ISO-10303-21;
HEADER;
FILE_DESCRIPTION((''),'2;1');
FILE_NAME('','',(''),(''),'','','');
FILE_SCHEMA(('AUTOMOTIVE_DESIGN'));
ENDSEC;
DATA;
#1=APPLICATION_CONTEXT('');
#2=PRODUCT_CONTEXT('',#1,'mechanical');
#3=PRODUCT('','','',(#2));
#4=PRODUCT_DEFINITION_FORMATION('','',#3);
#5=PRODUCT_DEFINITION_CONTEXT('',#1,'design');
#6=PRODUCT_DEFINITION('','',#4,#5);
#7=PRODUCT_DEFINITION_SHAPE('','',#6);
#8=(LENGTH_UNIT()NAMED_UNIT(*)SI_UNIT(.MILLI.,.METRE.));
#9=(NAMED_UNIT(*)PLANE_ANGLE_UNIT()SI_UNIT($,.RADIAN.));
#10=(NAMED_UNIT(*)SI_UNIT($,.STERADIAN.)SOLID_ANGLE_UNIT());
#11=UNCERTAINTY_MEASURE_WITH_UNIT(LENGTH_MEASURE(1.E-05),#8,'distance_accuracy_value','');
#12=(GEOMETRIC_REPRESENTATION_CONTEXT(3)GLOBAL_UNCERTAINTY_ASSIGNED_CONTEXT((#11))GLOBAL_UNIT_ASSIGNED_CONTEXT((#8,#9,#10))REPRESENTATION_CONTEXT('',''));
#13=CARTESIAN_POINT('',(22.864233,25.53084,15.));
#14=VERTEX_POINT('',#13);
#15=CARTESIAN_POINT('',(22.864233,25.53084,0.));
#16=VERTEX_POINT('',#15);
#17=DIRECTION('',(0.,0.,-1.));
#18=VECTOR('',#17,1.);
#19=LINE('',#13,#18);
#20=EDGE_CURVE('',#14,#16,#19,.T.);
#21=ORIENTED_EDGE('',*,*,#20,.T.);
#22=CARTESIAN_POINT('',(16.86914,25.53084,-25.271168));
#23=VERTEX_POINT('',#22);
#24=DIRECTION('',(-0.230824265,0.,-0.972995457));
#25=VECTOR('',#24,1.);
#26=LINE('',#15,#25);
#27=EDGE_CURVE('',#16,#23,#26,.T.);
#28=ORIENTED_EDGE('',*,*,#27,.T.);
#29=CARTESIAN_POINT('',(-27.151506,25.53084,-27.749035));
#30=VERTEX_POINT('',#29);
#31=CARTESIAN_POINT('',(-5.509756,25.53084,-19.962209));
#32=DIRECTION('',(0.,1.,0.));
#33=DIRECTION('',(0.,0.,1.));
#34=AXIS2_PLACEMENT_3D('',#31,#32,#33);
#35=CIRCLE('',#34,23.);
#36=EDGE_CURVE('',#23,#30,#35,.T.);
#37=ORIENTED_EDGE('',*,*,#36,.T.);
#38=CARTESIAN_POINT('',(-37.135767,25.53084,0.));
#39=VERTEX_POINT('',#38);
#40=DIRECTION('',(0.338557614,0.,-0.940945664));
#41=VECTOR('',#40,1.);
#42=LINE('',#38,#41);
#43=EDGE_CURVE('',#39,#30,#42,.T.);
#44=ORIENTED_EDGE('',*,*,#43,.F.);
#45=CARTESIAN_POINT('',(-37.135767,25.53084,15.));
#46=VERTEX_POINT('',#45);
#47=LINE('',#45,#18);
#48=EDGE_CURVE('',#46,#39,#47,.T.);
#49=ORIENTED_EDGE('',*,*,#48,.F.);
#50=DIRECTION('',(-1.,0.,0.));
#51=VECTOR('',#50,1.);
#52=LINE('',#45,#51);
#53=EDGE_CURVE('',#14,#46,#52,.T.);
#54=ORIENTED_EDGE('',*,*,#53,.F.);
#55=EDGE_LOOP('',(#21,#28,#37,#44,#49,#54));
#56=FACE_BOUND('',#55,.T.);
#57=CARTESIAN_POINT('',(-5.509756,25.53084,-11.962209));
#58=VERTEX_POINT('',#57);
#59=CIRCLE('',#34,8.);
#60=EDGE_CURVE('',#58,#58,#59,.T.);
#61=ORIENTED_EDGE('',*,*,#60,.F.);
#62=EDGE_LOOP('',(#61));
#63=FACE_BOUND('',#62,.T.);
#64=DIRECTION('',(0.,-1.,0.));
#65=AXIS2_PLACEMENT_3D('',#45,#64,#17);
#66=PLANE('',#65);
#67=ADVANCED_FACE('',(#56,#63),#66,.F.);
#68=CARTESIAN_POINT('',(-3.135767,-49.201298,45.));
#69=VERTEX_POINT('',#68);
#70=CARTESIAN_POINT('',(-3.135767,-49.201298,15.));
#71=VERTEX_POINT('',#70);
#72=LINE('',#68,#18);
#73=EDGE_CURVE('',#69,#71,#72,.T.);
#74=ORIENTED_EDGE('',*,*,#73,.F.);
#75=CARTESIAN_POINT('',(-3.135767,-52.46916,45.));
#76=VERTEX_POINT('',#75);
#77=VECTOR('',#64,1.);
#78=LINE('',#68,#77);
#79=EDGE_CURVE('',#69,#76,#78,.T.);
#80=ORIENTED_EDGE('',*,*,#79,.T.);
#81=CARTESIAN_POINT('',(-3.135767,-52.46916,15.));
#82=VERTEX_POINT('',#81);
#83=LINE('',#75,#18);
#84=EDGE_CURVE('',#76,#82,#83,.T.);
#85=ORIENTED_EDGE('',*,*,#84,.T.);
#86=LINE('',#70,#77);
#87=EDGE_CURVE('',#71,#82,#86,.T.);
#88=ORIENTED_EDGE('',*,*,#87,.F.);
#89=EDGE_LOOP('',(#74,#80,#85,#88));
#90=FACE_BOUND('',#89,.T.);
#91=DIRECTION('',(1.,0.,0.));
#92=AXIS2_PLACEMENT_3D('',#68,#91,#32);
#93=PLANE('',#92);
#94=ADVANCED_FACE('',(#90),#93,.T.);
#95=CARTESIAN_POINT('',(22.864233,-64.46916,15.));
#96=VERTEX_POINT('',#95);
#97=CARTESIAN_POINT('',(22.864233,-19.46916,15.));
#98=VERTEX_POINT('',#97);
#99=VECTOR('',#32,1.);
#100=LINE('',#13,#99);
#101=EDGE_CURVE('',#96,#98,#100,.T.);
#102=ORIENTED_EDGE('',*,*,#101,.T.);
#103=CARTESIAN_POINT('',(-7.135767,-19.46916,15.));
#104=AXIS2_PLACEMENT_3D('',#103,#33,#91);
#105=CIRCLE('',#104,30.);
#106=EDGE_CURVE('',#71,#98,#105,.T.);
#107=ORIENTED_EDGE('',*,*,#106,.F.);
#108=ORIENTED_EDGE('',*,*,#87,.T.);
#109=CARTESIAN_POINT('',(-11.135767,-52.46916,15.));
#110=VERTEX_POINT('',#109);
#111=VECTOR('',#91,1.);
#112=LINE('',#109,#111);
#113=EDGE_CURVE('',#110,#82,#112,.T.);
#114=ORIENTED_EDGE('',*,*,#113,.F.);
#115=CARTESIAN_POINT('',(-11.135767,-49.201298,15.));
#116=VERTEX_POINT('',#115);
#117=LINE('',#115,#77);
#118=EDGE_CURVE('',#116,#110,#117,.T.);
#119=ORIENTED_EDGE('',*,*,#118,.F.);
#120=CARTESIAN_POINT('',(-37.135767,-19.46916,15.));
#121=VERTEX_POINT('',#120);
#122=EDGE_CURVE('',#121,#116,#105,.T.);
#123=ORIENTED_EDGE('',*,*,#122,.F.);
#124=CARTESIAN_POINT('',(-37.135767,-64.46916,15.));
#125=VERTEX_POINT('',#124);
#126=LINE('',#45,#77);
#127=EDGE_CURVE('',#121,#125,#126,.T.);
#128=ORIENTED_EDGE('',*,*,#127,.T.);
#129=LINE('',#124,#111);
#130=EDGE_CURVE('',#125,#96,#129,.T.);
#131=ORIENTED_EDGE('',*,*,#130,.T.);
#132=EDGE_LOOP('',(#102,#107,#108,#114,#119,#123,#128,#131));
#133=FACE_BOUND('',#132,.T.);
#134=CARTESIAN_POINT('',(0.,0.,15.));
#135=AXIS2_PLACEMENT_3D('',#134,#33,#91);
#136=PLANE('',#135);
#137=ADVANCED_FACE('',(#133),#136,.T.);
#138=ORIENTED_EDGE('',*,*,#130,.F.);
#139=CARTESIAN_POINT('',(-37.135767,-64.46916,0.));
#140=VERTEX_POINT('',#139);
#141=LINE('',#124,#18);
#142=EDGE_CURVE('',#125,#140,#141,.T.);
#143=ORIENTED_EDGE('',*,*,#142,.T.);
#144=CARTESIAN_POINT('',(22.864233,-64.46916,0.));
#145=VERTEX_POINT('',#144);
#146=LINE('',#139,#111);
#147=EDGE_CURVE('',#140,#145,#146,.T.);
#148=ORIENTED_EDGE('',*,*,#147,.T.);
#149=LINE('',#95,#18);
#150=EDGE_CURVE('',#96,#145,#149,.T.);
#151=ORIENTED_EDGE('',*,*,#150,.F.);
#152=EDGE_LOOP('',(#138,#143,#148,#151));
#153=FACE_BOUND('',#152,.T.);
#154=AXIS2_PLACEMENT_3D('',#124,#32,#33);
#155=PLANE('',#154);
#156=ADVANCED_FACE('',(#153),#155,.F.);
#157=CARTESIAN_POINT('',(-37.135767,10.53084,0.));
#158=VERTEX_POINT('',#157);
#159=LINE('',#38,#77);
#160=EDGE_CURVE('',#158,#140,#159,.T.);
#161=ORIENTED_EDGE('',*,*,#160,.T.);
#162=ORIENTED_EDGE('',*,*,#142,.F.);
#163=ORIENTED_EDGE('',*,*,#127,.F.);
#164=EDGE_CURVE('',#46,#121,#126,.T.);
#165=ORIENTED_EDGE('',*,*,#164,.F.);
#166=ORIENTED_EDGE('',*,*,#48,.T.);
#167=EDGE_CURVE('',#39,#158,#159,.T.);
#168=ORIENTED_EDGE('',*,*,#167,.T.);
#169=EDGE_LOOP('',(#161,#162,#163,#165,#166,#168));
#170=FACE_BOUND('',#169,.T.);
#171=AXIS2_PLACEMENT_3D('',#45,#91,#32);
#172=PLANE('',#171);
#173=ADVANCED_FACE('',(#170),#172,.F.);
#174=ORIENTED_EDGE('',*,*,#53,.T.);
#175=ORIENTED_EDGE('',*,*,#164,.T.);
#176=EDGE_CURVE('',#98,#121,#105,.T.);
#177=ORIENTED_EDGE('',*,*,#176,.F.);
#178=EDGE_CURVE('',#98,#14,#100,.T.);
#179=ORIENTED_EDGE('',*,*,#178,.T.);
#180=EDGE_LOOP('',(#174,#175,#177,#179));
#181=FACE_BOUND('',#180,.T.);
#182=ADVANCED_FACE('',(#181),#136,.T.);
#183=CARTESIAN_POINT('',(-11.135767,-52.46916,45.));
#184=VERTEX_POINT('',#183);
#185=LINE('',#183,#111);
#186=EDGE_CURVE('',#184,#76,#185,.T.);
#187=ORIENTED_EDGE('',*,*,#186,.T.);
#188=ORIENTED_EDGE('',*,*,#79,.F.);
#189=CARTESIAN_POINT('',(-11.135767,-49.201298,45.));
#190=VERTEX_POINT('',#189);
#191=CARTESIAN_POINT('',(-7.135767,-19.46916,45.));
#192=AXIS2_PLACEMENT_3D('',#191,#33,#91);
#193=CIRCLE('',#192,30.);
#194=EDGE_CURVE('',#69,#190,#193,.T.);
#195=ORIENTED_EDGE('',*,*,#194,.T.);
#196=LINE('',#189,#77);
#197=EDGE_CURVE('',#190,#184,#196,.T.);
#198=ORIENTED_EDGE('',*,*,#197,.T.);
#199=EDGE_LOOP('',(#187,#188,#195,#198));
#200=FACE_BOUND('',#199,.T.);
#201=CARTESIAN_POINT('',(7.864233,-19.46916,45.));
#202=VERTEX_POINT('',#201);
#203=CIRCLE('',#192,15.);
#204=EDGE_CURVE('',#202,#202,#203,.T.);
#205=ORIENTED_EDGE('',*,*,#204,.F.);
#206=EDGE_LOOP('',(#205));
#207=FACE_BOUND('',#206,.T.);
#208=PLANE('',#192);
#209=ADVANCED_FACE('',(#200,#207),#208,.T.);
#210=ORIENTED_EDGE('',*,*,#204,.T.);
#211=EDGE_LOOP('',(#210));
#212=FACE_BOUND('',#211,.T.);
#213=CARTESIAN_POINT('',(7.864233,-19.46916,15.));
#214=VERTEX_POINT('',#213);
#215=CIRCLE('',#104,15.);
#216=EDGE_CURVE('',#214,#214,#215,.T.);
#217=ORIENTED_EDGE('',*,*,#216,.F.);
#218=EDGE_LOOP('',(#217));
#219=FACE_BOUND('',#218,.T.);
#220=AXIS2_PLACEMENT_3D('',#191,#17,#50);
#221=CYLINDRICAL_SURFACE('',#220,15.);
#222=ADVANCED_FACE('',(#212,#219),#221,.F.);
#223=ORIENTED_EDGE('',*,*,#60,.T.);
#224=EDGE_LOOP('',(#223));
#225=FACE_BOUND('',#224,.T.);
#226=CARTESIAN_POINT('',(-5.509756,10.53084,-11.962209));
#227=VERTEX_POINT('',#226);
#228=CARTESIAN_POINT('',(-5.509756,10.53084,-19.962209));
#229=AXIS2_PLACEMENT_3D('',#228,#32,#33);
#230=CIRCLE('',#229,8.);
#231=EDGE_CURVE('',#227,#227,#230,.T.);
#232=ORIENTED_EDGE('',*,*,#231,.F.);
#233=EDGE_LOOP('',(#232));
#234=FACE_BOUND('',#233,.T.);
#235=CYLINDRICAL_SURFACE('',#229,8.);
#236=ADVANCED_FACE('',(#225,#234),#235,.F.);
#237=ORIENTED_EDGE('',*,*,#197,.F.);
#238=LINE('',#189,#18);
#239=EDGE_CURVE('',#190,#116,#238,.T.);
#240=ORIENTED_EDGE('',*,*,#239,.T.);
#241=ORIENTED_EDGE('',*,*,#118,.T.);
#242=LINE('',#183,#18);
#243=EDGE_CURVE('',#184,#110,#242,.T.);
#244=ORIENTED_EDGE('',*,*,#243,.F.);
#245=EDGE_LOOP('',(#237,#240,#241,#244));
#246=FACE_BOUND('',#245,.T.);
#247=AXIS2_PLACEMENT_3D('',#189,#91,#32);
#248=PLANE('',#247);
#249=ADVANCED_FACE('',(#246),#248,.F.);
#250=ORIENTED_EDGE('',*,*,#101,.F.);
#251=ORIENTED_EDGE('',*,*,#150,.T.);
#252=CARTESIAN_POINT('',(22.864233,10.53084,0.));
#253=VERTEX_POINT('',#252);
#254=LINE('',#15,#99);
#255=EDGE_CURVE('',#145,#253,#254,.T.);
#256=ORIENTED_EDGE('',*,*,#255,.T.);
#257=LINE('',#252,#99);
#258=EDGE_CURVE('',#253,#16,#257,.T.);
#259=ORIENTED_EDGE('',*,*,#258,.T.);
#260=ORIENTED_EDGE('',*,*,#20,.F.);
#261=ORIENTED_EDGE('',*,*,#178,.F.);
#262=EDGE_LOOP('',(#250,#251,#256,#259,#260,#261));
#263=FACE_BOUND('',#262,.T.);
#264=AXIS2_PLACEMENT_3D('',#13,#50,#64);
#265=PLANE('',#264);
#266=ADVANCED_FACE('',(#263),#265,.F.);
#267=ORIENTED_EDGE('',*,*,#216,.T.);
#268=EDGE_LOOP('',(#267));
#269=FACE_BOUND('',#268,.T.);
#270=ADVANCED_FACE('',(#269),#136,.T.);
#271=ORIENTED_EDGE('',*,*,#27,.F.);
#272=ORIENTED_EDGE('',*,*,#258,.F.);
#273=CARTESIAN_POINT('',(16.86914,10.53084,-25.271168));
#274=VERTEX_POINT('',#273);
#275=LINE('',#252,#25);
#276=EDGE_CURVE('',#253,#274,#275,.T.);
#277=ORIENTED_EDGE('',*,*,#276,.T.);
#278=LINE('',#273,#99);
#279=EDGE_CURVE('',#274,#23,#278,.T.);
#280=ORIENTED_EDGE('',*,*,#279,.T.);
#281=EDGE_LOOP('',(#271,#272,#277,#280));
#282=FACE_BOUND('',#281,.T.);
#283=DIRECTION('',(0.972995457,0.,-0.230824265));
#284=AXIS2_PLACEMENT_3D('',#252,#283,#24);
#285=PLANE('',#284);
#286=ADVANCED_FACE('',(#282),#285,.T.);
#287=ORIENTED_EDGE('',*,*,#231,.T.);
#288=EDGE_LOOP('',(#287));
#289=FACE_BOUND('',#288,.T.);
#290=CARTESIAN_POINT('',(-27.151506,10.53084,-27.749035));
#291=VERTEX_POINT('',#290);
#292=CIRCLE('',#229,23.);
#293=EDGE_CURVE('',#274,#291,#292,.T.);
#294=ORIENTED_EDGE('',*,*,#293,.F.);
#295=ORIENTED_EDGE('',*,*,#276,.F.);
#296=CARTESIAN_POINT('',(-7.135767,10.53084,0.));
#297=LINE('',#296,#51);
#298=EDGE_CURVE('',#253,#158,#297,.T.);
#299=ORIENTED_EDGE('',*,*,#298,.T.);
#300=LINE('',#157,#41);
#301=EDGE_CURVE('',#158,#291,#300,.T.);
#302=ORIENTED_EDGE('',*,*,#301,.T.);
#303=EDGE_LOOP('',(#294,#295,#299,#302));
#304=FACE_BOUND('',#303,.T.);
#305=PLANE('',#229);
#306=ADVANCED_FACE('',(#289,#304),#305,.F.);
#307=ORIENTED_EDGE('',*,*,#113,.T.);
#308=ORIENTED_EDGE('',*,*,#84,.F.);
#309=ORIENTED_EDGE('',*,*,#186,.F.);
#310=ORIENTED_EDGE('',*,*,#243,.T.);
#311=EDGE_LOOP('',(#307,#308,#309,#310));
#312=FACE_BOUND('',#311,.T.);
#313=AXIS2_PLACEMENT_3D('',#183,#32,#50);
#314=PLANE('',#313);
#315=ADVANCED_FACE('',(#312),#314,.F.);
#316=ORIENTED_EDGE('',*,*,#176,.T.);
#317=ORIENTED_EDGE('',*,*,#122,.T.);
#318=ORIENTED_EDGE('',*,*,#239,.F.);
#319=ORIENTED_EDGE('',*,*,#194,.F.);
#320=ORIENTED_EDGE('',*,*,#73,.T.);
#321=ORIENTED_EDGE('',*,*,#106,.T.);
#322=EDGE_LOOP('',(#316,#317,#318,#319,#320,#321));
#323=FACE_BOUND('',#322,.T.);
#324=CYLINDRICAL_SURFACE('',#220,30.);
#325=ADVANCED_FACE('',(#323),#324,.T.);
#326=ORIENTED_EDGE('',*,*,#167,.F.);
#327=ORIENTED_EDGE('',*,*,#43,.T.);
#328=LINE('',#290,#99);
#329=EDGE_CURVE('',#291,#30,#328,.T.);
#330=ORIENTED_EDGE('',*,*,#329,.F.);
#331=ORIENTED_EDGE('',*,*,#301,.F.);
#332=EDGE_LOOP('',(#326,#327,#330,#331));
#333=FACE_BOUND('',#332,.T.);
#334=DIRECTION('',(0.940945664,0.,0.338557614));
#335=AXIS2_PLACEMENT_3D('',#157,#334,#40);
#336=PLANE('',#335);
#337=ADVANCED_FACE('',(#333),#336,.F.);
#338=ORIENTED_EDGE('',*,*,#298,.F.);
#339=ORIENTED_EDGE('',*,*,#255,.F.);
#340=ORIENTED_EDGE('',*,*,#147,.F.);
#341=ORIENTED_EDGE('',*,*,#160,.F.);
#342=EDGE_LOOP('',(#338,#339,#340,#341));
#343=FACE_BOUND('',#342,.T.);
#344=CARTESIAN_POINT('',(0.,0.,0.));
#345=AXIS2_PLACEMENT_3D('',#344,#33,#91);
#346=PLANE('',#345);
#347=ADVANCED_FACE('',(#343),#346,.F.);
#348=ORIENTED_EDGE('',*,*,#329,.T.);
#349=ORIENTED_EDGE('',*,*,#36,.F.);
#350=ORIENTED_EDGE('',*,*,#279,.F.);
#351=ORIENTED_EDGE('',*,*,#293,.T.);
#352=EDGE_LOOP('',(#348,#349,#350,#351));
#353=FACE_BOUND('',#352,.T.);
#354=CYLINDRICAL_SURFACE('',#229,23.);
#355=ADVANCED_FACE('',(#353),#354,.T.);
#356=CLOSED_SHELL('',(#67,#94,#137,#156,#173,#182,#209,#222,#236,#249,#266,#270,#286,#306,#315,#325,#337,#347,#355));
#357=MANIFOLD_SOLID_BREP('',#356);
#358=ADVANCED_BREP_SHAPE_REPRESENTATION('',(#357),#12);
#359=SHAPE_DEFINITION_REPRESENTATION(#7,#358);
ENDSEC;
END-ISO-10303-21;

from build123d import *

# Parameters (mm, degrees)
SKETCH1_W           = 60
SKETCH1_H           = 90
BOSS_EXTRUDE1_DEPTH = 15
SKETCH2_R           = 15
BOSS_EXTRUDE2_DEPTH = 30
SKETCH3_R           = 8
BOSS_EXTRUDE5_DEPTH = 15


with BuildPart() as part:
    # Sketch1 → Boss-Extrude1 (new body)
    with BuildSketch(Plane.XY):
        with Locations((-7.135767077, -19.469160134)):
            Rectangle(SKETCH1_W, SKETCH1_H)
    extrude(amount=BOSS_EXTRUDE1_DEPTH)

    # Sketch2 → Boss-Extrude2 (add)
    with BuildSketch(Plane.XY.offset(15)):
        with BuildLine():
            Line((-11.135767077, -49.201297629), (-11.135767077, -52.469160134))
            Line((-11.135767077, -52.469160134), (-3.135767077, -52.469160134))
            Line((-3.135767077, -52.469160134), (-3.135767077, -49.201297629))
            ThreePointArc((-3.135767077, -49.201297629), (-7.135767077, 10.530839866), (-11.135767077, -49.201297629))
        make_face()
        with Locations((-7.135767077, -19.469160134)):
            Circle(SKETCH2_R, mode=Mode.SUBTRACT)
    extrude(amount=BOSS_EXTRUDE2_DEPTH)

    # Sketch3 → Boss-Extrude5 (add)
    with BuildSketch(Plane(origin=(0, 25.530839866, 0), x_dir=(1, 0, 0), z_dir=(0, 1, 0))):
        with BuildLine():
            Line((-7.135767077, 0), (-37.135767077, 0))
            Line((-37.135767077, 0), (-27.151506269, 27.74903454))
            ThreePointArc((-27.151506269, 27.74903454), (-4.217160927, 42.925858918), (16.869139504, 25.271167514))
            Line((16.869139504, 25.271167514), (22.864232923, 0))
            Line((22.864232923, 0), (-7.135767077, 0))
        make_face()
        with Locations((-5.509756001, 19.962209426)):
            Circle(SKETCH3_R, mode=Mode.SUBTRACT)
    extrude(amount=-BOSS_EXTRUDE5_DEPTH)


solid = part.part
